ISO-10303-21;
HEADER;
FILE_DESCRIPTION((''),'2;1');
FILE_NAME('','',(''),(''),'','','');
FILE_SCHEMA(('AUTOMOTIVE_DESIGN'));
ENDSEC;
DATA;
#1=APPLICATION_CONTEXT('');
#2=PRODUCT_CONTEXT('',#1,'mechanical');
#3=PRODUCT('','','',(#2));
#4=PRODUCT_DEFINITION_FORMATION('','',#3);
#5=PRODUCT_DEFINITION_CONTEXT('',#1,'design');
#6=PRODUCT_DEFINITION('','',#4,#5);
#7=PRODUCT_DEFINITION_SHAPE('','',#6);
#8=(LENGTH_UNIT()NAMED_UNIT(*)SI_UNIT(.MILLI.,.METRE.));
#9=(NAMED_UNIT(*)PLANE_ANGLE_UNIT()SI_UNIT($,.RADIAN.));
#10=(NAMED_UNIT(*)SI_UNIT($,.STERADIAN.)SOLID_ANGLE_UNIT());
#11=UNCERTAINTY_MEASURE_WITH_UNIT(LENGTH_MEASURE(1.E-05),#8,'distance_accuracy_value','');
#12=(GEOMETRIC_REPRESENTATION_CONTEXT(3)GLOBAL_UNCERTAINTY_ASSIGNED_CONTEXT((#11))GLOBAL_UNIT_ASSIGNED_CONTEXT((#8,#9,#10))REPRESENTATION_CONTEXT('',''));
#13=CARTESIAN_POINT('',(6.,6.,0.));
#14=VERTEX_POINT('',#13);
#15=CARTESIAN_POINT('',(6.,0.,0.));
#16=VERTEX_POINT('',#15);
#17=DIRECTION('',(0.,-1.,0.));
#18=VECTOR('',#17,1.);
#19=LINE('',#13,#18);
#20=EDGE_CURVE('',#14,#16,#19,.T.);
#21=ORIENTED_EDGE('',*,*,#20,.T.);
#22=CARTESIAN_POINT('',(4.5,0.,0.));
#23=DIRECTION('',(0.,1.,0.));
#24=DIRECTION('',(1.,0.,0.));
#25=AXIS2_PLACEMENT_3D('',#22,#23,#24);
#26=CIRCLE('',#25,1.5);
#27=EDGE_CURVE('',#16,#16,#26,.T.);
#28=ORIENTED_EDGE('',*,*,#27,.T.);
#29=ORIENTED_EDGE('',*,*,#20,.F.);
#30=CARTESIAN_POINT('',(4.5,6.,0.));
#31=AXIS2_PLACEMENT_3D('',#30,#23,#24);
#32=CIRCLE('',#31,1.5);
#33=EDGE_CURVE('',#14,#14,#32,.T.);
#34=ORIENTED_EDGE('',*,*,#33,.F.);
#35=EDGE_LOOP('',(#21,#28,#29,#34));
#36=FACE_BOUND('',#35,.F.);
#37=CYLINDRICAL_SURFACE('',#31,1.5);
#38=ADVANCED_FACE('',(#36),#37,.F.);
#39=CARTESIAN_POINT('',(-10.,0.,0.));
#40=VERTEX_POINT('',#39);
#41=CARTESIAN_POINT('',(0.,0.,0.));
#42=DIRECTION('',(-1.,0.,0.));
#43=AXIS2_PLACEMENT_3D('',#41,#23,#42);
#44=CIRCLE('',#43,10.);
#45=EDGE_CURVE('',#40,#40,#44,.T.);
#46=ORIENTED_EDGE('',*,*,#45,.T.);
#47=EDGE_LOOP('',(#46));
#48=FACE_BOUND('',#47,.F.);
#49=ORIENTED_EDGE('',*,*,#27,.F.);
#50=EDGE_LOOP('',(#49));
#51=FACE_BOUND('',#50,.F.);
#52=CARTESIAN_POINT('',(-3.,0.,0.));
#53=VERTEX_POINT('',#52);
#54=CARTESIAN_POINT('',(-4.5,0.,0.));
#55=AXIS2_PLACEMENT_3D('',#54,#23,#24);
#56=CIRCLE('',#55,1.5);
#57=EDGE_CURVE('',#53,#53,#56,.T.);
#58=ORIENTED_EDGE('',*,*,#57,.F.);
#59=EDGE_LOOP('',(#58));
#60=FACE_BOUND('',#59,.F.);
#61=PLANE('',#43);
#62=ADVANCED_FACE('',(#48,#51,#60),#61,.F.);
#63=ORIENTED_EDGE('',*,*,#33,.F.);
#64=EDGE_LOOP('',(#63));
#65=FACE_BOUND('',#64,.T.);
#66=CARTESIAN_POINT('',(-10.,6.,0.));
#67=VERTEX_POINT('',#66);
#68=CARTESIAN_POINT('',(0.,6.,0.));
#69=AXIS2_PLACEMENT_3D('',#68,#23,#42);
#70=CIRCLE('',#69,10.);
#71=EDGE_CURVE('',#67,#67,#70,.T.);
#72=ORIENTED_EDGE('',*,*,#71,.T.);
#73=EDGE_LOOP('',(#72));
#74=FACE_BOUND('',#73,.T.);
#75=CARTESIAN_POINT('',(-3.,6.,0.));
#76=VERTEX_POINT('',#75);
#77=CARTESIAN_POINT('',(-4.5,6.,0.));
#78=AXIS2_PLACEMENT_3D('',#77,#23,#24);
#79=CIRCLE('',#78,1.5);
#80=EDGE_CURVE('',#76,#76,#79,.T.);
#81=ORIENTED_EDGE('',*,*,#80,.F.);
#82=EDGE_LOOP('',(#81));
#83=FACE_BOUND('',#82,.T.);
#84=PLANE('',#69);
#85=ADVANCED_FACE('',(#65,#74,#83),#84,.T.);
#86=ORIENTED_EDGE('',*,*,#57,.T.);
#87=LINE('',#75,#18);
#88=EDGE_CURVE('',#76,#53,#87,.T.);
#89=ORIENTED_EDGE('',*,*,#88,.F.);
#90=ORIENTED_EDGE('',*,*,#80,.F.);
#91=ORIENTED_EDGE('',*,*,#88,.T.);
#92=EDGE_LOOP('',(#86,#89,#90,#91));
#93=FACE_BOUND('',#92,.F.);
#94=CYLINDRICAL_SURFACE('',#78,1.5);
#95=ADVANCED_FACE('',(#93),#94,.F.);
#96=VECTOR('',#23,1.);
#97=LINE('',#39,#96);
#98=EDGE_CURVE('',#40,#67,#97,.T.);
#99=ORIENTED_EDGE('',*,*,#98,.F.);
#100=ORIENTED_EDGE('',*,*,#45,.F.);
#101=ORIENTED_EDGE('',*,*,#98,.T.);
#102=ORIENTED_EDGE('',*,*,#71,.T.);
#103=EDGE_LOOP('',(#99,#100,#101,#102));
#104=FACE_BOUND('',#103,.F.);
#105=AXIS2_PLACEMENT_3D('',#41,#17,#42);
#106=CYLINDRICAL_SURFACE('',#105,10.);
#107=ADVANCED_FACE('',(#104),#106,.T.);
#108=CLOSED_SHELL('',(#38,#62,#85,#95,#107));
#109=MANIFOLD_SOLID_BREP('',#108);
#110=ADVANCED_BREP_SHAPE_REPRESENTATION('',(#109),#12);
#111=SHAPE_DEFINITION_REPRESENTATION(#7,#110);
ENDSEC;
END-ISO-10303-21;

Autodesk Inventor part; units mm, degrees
ref_plane "YZ Plane" through (0, 0, 0) normal (1, 0, 0) x (0, 1, 0)
ref_plane "XZ Plane" through (0, 0, 0) normal (0, 1, 0) x (-1, 0, 0)
ref_plane "XY Plane" through (0, 0, 0) normal (0, 0, 1) x (1, 0, 0)
sketch "Sketch1" plane through (0, 0, 0) normal (0, 1, 0) x (-1, 0, 0)
  circle A0 centre (0, 0) radius 10
  dimension "d0" = 20
extrude "Extrusion1" add sketch "Sketch1" along normal blind 6
sketch "Sketch2" plane through (0, 6, 0) normal (0, 1, 0) x (1, 0, 0)
  circle A0 centre (-4.5, 0) radius 1.5
  circle A1 centre (0, 0) radius 10 projected
  line L0 (0, -10) -> (0, 10)
  circle A2 centre (4.5, 0) radius 1.5
  dimension "d3" = 3
  dimension "d5" = 4.5
extrude "Extrusion2" cut sketch "Sketch2" against normal through all contours A0 | A2
properties part number "thumb 4th part (model 2)"
